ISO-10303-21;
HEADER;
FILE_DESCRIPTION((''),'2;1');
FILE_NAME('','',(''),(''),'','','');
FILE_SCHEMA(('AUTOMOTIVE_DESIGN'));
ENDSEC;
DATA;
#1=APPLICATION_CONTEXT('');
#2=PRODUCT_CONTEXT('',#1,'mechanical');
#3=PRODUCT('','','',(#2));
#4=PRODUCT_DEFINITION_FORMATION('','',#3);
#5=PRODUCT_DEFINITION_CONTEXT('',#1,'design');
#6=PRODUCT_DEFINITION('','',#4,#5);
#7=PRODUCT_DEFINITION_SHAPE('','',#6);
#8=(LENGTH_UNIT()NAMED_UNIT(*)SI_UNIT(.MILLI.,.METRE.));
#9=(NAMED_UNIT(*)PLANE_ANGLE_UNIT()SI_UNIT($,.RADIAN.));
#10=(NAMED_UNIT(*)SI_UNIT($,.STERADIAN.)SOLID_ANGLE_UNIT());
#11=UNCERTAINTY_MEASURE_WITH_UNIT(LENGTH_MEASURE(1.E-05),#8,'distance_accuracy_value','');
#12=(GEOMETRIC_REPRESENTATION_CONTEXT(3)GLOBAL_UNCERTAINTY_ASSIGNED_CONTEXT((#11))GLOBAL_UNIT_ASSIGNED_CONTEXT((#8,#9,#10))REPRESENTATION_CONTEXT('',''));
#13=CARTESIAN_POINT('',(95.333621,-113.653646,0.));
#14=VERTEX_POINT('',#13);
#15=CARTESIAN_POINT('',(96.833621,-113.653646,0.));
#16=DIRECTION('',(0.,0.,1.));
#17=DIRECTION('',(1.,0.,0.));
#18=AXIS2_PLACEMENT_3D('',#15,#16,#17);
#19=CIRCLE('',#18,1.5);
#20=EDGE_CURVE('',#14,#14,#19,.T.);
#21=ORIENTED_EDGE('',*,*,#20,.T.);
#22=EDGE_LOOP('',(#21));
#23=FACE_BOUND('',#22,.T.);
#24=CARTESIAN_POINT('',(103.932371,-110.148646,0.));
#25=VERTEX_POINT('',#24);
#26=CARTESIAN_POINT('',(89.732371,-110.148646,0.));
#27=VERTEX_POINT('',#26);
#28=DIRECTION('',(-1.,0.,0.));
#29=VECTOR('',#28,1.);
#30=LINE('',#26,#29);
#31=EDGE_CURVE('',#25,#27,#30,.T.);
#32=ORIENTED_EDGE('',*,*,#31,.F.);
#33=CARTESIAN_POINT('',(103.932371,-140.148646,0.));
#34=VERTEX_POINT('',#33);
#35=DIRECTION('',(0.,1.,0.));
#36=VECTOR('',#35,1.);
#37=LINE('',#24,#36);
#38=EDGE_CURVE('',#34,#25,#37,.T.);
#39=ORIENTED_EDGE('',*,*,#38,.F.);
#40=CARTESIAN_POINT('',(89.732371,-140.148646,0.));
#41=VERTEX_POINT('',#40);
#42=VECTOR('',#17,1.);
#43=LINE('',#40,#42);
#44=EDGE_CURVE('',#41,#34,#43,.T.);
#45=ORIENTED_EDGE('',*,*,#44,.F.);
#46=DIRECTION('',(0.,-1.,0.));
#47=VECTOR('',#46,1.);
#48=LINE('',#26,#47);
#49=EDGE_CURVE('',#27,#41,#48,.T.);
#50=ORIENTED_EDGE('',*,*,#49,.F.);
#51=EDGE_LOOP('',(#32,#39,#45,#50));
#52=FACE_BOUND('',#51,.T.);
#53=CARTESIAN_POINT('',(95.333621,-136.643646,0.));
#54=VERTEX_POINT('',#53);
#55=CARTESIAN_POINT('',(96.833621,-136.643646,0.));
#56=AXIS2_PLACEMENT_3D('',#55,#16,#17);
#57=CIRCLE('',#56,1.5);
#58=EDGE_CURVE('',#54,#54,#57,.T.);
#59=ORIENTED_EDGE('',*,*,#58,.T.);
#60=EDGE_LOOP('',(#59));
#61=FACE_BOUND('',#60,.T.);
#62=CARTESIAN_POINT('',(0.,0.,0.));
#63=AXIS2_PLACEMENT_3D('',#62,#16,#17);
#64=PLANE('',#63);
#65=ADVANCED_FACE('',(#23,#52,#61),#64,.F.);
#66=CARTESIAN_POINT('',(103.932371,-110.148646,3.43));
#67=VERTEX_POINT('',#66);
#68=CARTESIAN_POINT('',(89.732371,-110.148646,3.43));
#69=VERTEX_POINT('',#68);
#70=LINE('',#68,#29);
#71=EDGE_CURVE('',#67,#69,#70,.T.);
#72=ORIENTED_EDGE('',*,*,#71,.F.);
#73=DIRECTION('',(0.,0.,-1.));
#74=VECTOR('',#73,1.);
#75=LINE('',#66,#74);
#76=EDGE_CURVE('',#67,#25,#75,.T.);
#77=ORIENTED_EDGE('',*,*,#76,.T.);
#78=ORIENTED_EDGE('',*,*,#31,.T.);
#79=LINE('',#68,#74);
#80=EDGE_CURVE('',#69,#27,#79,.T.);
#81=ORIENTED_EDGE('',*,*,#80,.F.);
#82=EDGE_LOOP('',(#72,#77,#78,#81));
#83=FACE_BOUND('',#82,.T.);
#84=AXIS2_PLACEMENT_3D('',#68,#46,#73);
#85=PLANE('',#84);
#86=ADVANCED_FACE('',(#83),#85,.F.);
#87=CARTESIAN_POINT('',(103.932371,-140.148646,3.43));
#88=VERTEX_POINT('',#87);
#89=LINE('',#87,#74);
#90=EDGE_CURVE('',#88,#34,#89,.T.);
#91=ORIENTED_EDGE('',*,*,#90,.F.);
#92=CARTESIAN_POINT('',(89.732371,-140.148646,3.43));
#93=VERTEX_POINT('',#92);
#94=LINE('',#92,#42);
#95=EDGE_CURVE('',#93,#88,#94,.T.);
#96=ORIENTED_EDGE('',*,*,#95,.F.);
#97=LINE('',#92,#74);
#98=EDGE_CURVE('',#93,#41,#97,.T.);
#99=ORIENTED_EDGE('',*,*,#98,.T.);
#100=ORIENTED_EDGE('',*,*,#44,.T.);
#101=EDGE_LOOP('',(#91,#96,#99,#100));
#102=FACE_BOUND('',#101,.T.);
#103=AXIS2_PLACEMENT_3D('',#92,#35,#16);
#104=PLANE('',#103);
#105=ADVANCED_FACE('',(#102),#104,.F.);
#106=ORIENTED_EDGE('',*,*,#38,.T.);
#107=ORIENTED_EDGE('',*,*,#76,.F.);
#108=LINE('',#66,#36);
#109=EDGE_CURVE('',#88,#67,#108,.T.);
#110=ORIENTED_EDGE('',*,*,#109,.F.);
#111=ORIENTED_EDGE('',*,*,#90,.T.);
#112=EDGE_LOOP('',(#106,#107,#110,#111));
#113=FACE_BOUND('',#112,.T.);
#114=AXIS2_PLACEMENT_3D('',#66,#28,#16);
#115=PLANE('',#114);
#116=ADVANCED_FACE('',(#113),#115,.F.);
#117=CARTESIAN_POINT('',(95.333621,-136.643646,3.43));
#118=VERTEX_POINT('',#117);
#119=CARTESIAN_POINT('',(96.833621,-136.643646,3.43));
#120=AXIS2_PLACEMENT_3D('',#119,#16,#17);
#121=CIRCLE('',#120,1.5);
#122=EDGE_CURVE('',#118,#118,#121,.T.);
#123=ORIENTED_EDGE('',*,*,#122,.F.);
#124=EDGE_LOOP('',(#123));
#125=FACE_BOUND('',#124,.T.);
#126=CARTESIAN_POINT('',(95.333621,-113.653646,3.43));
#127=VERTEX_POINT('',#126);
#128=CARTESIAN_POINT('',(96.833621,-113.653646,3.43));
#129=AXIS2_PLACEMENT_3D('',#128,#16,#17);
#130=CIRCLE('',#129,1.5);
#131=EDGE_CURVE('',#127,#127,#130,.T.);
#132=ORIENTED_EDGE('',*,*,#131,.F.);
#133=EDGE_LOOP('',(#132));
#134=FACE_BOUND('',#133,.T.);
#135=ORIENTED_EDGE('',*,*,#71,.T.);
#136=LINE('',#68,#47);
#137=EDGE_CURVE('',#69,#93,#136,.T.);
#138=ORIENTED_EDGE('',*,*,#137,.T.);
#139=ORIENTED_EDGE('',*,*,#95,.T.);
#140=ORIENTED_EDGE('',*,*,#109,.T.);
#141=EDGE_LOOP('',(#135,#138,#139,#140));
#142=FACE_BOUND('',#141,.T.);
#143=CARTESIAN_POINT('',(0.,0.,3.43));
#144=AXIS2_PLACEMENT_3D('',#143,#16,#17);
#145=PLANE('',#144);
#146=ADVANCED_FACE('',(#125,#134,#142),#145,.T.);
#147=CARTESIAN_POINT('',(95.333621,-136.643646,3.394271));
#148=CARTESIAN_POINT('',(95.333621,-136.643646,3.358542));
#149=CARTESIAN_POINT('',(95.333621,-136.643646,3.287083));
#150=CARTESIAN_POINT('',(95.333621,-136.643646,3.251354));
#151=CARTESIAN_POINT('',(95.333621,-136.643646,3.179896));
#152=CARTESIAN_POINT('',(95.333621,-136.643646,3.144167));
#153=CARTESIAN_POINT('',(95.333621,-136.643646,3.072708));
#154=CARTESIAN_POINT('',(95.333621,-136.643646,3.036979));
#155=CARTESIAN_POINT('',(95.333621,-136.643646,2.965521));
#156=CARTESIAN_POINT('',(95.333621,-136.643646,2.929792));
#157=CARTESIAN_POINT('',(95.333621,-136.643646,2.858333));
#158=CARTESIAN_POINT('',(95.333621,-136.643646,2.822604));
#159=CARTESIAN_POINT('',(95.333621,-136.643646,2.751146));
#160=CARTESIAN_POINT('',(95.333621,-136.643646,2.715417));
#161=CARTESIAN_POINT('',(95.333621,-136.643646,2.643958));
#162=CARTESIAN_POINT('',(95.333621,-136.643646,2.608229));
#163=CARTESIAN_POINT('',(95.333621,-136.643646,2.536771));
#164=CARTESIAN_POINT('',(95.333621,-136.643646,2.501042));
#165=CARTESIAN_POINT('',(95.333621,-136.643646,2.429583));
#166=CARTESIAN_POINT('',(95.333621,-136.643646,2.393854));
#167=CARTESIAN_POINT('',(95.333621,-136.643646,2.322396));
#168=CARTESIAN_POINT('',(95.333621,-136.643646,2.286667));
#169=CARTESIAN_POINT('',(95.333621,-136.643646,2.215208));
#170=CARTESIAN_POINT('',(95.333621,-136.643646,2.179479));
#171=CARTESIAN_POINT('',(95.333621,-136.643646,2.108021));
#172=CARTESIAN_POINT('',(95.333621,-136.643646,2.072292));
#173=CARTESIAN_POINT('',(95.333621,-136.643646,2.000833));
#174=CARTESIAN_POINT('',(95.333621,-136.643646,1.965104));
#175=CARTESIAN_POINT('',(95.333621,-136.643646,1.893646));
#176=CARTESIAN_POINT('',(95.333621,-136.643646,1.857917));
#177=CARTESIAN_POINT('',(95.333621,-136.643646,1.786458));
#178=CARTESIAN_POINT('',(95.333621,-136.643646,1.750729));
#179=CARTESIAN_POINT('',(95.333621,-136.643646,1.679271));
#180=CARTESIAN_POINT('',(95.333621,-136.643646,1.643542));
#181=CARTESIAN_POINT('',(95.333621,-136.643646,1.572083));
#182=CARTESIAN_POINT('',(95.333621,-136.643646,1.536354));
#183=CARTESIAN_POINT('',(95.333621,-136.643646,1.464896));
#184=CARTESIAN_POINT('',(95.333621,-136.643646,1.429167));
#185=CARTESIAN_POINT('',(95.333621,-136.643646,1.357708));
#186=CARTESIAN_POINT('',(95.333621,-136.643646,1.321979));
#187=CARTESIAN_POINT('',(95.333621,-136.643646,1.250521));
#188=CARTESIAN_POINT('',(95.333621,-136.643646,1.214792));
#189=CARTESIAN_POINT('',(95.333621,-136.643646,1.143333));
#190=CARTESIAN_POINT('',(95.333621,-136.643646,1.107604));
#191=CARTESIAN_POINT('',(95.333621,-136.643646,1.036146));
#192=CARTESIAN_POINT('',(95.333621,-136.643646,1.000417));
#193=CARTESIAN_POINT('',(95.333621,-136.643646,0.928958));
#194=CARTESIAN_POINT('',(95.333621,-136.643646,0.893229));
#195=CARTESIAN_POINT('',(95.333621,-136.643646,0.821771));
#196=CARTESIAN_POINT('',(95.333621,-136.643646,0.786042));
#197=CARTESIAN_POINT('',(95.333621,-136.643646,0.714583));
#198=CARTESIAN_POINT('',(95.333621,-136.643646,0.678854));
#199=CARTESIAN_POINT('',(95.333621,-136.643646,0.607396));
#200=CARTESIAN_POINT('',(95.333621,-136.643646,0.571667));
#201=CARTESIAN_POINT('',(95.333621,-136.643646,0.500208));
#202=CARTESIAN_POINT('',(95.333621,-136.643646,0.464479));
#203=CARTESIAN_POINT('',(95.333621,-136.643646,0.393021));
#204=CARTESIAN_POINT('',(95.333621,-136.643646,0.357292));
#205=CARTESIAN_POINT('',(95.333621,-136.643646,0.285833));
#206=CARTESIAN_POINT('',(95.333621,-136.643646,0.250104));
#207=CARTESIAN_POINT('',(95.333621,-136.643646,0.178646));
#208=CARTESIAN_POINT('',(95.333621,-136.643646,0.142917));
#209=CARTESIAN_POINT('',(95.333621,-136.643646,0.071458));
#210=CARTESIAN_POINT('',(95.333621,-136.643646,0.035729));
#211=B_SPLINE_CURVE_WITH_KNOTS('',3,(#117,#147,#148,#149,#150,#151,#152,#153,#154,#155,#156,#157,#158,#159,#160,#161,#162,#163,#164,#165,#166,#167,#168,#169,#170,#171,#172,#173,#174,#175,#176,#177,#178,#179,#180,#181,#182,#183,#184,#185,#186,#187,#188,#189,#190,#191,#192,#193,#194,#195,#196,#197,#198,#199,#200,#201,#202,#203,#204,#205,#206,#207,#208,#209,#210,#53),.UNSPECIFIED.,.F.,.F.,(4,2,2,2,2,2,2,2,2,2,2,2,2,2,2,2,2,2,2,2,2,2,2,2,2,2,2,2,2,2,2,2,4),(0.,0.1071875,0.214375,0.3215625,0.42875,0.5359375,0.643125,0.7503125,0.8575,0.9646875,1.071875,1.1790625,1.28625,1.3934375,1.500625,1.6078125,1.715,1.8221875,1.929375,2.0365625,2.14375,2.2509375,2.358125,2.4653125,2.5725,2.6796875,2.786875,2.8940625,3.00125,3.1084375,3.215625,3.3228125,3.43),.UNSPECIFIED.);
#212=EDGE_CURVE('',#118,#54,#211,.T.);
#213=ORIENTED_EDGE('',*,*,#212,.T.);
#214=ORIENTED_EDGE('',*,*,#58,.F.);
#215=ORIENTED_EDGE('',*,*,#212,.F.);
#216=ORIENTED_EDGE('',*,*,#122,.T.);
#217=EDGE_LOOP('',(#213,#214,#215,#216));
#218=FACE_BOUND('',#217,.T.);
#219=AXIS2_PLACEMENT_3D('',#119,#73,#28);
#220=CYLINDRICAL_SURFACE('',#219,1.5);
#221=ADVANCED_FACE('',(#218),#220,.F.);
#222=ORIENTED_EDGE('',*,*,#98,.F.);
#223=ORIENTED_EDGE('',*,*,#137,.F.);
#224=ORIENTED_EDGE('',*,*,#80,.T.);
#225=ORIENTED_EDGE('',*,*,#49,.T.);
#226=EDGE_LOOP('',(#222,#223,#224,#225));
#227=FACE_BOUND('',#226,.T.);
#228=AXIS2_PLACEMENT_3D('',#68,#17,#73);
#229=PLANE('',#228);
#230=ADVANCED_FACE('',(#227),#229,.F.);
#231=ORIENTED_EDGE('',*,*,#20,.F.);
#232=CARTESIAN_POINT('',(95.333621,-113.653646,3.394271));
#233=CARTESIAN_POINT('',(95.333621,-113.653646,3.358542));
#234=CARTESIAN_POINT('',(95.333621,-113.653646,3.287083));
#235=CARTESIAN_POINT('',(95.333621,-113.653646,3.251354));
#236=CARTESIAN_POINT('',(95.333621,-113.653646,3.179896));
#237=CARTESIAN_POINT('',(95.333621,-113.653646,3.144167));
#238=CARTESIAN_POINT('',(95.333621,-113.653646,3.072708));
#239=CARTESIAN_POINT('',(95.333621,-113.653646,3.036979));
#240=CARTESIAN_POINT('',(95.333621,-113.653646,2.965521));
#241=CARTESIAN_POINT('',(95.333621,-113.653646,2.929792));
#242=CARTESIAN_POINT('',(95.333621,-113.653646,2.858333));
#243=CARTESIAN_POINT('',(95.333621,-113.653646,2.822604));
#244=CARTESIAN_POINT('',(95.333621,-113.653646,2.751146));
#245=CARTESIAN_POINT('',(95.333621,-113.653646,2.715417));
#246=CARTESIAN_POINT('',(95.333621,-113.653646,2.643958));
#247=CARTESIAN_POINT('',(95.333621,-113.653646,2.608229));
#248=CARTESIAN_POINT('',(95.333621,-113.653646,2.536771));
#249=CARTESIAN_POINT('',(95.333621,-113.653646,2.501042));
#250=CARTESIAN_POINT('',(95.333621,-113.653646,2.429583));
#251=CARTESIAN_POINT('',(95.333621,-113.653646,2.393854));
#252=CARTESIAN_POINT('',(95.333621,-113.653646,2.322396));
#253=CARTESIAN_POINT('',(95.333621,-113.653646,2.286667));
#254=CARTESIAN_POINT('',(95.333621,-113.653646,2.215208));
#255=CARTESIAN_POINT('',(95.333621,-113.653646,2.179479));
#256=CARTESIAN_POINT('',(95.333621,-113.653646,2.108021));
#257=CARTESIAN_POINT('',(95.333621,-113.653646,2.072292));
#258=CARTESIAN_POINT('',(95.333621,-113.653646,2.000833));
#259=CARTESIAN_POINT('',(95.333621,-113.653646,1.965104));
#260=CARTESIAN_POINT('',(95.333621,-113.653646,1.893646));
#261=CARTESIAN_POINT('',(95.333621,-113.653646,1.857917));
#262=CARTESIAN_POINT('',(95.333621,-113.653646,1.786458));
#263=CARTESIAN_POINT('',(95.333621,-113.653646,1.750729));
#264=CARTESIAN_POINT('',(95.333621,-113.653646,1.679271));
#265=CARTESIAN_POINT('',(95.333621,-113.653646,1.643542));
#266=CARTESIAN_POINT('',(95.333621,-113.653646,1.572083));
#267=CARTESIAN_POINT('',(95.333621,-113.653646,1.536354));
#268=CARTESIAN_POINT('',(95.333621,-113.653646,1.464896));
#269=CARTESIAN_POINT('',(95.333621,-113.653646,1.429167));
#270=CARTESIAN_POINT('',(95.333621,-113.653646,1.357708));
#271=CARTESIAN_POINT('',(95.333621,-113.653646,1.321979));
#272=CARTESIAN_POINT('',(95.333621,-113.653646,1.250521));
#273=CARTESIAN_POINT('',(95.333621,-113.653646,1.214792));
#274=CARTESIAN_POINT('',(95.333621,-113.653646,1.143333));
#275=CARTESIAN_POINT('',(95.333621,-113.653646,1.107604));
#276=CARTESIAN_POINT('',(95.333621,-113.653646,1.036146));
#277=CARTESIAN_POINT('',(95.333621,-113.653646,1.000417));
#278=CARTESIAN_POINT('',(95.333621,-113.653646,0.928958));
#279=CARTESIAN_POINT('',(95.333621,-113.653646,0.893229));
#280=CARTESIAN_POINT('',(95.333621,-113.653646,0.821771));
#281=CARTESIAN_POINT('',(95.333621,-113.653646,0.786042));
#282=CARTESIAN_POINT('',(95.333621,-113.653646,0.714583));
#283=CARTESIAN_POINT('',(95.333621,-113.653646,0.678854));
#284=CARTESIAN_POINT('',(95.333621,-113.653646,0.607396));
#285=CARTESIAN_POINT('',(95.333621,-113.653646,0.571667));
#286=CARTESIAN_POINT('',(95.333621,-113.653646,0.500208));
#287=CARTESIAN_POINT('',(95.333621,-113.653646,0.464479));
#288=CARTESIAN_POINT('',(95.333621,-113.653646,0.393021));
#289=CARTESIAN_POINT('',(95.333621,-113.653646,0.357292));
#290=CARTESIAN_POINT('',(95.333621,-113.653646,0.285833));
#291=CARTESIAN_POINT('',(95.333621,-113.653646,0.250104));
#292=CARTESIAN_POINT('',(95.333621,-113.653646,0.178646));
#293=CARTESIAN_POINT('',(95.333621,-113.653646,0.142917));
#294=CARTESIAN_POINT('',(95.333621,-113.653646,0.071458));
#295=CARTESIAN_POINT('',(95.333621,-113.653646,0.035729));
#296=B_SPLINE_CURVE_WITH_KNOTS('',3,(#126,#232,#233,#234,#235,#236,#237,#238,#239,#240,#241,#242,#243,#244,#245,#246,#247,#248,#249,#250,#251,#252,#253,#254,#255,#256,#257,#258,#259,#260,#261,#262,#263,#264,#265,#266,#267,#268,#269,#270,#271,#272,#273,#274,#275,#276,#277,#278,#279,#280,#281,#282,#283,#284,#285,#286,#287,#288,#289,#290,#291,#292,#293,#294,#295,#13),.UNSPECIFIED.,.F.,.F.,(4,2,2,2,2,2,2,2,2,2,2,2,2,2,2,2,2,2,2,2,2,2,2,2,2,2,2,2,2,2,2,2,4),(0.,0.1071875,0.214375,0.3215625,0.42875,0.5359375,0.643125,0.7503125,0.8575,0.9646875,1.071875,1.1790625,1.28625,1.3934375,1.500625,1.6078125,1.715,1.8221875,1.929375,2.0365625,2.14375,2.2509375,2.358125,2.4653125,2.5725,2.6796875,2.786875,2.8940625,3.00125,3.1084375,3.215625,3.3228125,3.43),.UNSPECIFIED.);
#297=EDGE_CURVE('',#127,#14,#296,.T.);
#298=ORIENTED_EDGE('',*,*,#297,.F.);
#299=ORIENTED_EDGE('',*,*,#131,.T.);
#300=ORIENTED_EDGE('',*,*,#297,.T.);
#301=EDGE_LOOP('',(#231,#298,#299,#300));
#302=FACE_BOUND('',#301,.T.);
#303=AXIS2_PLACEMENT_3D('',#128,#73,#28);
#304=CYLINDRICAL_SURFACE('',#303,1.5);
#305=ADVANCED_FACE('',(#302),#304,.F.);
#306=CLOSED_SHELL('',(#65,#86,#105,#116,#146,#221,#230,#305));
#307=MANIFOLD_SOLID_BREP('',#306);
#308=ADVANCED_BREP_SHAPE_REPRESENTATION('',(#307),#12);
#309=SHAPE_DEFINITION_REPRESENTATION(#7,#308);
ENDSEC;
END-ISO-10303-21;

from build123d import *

# Parameters (mm, degrees)
CROQUIS1_W              = 14.2
CROQUIS1_H              = 30
CROQUIS1_R              = 1.5
SALIENTE_EXTRUIR1_DEPTH = 3.43


with BuildPart() as part:
    # Croquis1 → Saliente-Extruir1 (new body)
    with BuildSketch(Plane.XY):
        with Locations((96.832371, -125.148646)):
            Rectangle(CROQUIS1_W, CROQUIS1_H)
        with Locations(Location((96.833621, -136.643646, 0), (0, 0, 180))):
            Circle(CROQUIS1_R, mode=Mode.SUBTRACT)
        with Locations(Location((96.833621, -113.653646, 0), (0, 0, 180))):
            Circle(CROQUIS1_R, mode=Mode.SUBTRACT)
    extrude(amount=SALIENTE_EXTRUIR1_DEPTH)


solid = part.part
